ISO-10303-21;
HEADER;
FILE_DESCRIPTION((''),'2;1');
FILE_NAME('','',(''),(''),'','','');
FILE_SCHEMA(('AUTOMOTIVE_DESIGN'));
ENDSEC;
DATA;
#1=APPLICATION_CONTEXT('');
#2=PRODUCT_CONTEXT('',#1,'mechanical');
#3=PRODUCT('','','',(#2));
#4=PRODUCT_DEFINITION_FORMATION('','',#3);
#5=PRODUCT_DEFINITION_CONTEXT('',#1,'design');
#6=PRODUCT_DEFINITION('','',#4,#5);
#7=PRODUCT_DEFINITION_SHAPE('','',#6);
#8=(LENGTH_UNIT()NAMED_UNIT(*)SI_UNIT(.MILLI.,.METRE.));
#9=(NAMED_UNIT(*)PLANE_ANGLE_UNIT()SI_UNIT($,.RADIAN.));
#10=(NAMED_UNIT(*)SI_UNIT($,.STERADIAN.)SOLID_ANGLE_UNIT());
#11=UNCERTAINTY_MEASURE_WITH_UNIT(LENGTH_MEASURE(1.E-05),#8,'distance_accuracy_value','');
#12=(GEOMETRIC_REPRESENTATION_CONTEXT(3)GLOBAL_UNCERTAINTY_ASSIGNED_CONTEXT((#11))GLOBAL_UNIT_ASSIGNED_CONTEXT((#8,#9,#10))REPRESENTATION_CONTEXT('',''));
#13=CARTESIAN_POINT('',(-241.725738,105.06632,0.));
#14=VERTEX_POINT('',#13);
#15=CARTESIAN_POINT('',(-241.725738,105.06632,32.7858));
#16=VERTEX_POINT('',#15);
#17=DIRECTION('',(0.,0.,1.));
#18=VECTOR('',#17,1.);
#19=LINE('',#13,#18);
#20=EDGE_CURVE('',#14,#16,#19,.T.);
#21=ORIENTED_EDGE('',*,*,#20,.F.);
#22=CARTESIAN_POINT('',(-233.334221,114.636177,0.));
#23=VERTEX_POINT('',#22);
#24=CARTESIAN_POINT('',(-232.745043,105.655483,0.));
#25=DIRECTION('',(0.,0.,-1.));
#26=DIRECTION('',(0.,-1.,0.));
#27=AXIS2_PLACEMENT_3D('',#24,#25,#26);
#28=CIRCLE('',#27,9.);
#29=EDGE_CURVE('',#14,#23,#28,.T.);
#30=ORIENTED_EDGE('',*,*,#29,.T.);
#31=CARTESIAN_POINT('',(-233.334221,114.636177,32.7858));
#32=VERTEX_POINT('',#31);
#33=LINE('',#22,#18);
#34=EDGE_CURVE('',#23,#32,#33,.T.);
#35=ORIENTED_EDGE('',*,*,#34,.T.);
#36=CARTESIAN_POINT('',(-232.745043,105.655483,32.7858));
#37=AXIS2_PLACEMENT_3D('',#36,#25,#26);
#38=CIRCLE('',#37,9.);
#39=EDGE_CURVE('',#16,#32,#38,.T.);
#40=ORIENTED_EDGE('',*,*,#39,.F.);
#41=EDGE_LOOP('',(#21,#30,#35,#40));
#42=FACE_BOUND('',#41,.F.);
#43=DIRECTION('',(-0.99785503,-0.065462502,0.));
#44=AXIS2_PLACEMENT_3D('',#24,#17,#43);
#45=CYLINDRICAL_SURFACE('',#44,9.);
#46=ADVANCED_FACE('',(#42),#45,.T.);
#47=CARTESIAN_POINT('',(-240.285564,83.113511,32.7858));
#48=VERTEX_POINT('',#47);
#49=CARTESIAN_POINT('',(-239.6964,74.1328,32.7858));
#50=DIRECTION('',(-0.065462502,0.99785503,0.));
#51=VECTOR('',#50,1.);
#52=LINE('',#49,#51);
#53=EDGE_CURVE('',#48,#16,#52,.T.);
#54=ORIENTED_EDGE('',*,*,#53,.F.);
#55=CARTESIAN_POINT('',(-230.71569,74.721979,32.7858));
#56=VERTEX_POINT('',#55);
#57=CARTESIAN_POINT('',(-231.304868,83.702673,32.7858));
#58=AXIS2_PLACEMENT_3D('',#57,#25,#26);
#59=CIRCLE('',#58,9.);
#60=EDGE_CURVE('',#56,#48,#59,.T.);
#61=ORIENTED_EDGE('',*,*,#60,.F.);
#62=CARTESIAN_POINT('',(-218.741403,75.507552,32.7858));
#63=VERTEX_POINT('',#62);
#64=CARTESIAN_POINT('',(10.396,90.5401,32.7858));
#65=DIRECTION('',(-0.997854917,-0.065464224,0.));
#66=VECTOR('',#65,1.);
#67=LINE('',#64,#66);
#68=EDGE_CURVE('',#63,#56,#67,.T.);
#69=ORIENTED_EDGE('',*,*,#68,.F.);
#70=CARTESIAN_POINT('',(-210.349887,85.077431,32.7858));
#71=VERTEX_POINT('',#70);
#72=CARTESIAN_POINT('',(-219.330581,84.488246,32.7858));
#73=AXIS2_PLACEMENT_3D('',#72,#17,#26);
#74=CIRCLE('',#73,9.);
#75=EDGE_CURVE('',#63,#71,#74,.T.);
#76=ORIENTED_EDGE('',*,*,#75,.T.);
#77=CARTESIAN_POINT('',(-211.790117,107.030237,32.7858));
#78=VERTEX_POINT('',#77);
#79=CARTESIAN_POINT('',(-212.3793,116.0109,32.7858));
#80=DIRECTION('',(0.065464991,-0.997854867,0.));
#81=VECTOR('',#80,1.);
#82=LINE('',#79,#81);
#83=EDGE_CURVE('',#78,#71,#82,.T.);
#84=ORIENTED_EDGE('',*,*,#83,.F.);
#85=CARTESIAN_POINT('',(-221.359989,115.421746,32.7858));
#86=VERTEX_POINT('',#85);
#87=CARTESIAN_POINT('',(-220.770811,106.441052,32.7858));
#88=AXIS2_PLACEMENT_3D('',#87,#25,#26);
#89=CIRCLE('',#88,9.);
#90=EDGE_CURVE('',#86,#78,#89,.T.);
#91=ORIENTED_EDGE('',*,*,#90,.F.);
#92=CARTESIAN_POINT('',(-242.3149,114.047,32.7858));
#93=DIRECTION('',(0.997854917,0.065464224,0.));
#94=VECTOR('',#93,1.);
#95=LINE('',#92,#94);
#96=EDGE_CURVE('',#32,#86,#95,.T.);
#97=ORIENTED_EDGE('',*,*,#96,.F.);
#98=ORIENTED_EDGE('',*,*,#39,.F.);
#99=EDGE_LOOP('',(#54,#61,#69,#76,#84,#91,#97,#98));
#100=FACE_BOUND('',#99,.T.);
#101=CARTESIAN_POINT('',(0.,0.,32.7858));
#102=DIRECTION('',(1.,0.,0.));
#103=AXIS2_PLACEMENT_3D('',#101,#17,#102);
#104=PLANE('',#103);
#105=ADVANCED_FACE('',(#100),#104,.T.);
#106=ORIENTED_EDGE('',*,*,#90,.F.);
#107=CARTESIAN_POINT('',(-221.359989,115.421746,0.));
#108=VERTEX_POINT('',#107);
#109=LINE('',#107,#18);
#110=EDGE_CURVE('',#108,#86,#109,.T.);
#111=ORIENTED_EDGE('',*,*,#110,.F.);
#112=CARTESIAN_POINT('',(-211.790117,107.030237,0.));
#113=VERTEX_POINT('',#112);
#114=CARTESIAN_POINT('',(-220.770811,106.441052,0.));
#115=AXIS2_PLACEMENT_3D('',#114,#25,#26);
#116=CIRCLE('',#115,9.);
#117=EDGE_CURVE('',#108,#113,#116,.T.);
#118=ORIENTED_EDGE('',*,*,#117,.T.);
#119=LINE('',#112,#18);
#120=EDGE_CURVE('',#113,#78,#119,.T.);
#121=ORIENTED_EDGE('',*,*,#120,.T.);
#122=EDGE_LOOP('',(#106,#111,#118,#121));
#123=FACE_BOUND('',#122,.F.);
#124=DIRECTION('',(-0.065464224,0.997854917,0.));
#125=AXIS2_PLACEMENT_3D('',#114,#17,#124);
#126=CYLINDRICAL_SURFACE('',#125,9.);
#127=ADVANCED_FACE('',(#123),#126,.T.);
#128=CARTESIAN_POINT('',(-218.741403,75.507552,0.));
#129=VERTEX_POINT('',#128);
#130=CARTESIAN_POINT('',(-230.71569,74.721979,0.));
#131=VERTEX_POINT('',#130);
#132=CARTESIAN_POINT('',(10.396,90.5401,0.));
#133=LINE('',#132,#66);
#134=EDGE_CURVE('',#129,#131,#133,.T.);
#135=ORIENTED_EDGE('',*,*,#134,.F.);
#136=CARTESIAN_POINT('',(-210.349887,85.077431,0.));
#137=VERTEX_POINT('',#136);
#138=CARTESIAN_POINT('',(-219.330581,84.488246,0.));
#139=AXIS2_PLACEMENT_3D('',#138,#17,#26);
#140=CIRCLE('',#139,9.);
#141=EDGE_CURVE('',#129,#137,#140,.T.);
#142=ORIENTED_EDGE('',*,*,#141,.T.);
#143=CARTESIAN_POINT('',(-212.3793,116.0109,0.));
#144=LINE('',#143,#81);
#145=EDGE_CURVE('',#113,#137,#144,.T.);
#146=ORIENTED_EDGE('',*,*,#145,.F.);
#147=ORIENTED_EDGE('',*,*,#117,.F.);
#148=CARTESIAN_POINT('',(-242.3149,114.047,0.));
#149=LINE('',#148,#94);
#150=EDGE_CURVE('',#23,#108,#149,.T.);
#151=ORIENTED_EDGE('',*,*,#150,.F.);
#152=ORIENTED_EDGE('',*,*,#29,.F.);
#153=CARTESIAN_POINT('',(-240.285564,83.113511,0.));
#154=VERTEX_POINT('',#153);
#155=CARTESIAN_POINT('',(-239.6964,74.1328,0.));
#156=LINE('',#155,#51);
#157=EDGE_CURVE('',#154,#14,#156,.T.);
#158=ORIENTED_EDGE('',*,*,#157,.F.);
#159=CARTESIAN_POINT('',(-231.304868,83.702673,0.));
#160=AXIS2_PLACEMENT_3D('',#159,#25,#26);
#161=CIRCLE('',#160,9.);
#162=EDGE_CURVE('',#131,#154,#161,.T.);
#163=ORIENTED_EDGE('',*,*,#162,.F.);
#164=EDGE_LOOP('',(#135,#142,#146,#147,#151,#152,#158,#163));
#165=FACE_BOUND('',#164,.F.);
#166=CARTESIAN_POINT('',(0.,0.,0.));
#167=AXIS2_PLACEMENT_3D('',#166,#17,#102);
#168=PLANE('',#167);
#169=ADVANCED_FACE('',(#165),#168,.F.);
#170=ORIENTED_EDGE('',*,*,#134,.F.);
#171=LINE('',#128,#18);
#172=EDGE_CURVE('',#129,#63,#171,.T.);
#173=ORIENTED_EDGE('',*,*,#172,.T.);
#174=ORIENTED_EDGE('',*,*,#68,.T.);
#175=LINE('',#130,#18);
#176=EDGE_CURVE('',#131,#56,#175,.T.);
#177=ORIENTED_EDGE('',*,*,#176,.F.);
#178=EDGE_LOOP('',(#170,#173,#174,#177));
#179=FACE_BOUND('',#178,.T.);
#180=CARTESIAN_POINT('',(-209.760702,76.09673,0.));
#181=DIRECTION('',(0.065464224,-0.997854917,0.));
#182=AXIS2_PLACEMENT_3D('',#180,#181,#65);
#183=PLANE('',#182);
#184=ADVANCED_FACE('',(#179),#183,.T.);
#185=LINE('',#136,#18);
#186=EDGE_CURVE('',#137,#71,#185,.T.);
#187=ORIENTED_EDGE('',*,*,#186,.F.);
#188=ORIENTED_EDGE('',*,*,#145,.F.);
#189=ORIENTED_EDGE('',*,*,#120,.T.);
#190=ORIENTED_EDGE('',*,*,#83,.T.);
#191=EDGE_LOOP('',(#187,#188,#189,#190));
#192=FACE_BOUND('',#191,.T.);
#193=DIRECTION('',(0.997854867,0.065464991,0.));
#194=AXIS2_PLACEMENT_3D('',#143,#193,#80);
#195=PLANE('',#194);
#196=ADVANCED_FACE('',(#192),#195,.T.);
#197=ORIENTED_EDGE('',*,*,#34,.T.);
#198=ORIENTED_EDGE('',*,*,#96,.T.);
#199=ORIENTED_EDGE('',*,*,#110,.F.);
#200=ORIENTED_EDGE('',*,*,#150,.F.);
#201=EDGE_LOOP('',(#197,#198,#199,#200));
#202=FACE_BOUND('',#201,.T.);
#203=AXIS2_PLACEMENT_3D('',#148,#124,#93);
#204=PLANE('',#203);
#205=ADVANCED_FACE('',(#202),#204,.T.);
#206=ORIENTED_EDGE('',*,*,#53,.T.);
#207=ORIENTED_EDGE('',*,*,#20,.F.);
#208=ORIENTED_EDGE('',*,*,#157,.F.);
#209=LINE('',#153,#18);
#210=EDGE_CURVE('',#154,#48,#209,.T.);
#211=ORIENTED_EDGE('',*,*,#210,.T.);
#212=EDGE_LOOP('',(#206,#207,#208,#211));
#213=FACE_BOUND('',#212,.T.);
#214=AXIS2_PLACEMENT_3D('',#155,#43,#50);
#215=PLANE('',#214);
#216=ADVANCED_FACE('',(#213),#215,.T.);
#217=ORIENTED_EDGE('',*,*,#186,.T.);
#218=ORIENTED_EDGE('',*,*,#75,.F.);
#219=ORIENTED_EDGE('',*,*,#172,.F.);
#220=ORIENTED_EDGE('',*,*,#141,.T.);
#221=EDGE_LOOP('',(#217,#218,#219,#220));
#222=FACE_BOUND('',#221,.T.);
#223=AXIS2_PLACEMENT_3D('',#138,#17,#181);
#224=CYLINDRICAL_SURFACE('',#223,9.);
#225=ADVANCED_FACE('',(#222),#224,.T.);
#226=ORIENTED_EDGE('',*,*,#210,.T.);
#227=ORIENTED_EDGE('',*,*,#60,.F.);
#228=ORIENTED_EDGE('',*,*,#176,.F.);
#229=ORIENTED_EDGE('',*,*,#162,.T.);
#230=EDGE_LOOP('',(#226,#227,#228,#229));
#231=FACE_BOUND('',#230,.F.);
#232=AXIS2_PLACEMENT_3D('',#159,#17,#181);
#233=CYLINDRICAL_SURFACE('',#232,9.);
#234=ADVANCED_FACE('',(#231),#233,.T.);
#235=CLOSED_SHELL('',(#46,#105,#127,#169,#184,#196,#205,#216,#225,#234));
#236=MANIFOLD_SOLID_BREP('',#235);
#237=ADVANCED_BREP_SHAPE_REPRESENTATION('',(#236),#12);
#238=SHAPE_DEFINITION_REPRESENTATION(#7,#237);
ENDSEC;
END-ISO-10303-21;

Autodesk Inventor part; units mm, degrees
ref_plane "YZ Plane" through (0, 0, 0) normal (1, 0, 0) x (0, 1, 0)
ref_plane "XZ Plane" through (0, 0, 0) normal (0, 1, 0) x (-1, 0, 0)
sketch "Sketch1" plane through (0, 0, 0) normal (0, 0, 1) x (1, 0, 0)
  circle A0 centre (9.0867, 110.4972) radius 1.6 projected
  arc A1 (10.396, 90.5401) -> (7.7775, 130.4543) centre (9.0867, 110.4972) ccw projected
  line L0 (-242.3149, 114.047) -> (7.7775, 130.4543) projected
  line L1 (-239.6964, 74.1328) -> (-242.3149, 114.047) projected
  line L2 (10.396, 90.5401) -> (-239.6964, 74.1328) projected
  circle A2 centre (9.0867, 110.4972) radius 20
  line L3 (-242.3149, 114.047) -> (-212.3793, 116.0109)
  line L4 (-212.3793, 116.0109) -> (-209.7607, 76.0967)
  point P0 (0, 0)
  dimension "d0" = 30
ref_plane "Work Plane1" through (-89.0919, -102.1665, 32.7858) normal (0, 0, -1) x (0, 1, 0)
extrude "Extrusion1" add sketch "Sketch1" along normal up to surface (32.7858 mm away) contours L2 L1 L0 L4
fillet "Fillet1" radius 9 4 edges at (-209.7607, 76.0967, 16.3929) (-239.6964, 74.1328, 16.3929) (-212.3793, 116.0109, 16.3929) (-242.3149, 114.047, 16.3929)
properties part number "wspornik"
